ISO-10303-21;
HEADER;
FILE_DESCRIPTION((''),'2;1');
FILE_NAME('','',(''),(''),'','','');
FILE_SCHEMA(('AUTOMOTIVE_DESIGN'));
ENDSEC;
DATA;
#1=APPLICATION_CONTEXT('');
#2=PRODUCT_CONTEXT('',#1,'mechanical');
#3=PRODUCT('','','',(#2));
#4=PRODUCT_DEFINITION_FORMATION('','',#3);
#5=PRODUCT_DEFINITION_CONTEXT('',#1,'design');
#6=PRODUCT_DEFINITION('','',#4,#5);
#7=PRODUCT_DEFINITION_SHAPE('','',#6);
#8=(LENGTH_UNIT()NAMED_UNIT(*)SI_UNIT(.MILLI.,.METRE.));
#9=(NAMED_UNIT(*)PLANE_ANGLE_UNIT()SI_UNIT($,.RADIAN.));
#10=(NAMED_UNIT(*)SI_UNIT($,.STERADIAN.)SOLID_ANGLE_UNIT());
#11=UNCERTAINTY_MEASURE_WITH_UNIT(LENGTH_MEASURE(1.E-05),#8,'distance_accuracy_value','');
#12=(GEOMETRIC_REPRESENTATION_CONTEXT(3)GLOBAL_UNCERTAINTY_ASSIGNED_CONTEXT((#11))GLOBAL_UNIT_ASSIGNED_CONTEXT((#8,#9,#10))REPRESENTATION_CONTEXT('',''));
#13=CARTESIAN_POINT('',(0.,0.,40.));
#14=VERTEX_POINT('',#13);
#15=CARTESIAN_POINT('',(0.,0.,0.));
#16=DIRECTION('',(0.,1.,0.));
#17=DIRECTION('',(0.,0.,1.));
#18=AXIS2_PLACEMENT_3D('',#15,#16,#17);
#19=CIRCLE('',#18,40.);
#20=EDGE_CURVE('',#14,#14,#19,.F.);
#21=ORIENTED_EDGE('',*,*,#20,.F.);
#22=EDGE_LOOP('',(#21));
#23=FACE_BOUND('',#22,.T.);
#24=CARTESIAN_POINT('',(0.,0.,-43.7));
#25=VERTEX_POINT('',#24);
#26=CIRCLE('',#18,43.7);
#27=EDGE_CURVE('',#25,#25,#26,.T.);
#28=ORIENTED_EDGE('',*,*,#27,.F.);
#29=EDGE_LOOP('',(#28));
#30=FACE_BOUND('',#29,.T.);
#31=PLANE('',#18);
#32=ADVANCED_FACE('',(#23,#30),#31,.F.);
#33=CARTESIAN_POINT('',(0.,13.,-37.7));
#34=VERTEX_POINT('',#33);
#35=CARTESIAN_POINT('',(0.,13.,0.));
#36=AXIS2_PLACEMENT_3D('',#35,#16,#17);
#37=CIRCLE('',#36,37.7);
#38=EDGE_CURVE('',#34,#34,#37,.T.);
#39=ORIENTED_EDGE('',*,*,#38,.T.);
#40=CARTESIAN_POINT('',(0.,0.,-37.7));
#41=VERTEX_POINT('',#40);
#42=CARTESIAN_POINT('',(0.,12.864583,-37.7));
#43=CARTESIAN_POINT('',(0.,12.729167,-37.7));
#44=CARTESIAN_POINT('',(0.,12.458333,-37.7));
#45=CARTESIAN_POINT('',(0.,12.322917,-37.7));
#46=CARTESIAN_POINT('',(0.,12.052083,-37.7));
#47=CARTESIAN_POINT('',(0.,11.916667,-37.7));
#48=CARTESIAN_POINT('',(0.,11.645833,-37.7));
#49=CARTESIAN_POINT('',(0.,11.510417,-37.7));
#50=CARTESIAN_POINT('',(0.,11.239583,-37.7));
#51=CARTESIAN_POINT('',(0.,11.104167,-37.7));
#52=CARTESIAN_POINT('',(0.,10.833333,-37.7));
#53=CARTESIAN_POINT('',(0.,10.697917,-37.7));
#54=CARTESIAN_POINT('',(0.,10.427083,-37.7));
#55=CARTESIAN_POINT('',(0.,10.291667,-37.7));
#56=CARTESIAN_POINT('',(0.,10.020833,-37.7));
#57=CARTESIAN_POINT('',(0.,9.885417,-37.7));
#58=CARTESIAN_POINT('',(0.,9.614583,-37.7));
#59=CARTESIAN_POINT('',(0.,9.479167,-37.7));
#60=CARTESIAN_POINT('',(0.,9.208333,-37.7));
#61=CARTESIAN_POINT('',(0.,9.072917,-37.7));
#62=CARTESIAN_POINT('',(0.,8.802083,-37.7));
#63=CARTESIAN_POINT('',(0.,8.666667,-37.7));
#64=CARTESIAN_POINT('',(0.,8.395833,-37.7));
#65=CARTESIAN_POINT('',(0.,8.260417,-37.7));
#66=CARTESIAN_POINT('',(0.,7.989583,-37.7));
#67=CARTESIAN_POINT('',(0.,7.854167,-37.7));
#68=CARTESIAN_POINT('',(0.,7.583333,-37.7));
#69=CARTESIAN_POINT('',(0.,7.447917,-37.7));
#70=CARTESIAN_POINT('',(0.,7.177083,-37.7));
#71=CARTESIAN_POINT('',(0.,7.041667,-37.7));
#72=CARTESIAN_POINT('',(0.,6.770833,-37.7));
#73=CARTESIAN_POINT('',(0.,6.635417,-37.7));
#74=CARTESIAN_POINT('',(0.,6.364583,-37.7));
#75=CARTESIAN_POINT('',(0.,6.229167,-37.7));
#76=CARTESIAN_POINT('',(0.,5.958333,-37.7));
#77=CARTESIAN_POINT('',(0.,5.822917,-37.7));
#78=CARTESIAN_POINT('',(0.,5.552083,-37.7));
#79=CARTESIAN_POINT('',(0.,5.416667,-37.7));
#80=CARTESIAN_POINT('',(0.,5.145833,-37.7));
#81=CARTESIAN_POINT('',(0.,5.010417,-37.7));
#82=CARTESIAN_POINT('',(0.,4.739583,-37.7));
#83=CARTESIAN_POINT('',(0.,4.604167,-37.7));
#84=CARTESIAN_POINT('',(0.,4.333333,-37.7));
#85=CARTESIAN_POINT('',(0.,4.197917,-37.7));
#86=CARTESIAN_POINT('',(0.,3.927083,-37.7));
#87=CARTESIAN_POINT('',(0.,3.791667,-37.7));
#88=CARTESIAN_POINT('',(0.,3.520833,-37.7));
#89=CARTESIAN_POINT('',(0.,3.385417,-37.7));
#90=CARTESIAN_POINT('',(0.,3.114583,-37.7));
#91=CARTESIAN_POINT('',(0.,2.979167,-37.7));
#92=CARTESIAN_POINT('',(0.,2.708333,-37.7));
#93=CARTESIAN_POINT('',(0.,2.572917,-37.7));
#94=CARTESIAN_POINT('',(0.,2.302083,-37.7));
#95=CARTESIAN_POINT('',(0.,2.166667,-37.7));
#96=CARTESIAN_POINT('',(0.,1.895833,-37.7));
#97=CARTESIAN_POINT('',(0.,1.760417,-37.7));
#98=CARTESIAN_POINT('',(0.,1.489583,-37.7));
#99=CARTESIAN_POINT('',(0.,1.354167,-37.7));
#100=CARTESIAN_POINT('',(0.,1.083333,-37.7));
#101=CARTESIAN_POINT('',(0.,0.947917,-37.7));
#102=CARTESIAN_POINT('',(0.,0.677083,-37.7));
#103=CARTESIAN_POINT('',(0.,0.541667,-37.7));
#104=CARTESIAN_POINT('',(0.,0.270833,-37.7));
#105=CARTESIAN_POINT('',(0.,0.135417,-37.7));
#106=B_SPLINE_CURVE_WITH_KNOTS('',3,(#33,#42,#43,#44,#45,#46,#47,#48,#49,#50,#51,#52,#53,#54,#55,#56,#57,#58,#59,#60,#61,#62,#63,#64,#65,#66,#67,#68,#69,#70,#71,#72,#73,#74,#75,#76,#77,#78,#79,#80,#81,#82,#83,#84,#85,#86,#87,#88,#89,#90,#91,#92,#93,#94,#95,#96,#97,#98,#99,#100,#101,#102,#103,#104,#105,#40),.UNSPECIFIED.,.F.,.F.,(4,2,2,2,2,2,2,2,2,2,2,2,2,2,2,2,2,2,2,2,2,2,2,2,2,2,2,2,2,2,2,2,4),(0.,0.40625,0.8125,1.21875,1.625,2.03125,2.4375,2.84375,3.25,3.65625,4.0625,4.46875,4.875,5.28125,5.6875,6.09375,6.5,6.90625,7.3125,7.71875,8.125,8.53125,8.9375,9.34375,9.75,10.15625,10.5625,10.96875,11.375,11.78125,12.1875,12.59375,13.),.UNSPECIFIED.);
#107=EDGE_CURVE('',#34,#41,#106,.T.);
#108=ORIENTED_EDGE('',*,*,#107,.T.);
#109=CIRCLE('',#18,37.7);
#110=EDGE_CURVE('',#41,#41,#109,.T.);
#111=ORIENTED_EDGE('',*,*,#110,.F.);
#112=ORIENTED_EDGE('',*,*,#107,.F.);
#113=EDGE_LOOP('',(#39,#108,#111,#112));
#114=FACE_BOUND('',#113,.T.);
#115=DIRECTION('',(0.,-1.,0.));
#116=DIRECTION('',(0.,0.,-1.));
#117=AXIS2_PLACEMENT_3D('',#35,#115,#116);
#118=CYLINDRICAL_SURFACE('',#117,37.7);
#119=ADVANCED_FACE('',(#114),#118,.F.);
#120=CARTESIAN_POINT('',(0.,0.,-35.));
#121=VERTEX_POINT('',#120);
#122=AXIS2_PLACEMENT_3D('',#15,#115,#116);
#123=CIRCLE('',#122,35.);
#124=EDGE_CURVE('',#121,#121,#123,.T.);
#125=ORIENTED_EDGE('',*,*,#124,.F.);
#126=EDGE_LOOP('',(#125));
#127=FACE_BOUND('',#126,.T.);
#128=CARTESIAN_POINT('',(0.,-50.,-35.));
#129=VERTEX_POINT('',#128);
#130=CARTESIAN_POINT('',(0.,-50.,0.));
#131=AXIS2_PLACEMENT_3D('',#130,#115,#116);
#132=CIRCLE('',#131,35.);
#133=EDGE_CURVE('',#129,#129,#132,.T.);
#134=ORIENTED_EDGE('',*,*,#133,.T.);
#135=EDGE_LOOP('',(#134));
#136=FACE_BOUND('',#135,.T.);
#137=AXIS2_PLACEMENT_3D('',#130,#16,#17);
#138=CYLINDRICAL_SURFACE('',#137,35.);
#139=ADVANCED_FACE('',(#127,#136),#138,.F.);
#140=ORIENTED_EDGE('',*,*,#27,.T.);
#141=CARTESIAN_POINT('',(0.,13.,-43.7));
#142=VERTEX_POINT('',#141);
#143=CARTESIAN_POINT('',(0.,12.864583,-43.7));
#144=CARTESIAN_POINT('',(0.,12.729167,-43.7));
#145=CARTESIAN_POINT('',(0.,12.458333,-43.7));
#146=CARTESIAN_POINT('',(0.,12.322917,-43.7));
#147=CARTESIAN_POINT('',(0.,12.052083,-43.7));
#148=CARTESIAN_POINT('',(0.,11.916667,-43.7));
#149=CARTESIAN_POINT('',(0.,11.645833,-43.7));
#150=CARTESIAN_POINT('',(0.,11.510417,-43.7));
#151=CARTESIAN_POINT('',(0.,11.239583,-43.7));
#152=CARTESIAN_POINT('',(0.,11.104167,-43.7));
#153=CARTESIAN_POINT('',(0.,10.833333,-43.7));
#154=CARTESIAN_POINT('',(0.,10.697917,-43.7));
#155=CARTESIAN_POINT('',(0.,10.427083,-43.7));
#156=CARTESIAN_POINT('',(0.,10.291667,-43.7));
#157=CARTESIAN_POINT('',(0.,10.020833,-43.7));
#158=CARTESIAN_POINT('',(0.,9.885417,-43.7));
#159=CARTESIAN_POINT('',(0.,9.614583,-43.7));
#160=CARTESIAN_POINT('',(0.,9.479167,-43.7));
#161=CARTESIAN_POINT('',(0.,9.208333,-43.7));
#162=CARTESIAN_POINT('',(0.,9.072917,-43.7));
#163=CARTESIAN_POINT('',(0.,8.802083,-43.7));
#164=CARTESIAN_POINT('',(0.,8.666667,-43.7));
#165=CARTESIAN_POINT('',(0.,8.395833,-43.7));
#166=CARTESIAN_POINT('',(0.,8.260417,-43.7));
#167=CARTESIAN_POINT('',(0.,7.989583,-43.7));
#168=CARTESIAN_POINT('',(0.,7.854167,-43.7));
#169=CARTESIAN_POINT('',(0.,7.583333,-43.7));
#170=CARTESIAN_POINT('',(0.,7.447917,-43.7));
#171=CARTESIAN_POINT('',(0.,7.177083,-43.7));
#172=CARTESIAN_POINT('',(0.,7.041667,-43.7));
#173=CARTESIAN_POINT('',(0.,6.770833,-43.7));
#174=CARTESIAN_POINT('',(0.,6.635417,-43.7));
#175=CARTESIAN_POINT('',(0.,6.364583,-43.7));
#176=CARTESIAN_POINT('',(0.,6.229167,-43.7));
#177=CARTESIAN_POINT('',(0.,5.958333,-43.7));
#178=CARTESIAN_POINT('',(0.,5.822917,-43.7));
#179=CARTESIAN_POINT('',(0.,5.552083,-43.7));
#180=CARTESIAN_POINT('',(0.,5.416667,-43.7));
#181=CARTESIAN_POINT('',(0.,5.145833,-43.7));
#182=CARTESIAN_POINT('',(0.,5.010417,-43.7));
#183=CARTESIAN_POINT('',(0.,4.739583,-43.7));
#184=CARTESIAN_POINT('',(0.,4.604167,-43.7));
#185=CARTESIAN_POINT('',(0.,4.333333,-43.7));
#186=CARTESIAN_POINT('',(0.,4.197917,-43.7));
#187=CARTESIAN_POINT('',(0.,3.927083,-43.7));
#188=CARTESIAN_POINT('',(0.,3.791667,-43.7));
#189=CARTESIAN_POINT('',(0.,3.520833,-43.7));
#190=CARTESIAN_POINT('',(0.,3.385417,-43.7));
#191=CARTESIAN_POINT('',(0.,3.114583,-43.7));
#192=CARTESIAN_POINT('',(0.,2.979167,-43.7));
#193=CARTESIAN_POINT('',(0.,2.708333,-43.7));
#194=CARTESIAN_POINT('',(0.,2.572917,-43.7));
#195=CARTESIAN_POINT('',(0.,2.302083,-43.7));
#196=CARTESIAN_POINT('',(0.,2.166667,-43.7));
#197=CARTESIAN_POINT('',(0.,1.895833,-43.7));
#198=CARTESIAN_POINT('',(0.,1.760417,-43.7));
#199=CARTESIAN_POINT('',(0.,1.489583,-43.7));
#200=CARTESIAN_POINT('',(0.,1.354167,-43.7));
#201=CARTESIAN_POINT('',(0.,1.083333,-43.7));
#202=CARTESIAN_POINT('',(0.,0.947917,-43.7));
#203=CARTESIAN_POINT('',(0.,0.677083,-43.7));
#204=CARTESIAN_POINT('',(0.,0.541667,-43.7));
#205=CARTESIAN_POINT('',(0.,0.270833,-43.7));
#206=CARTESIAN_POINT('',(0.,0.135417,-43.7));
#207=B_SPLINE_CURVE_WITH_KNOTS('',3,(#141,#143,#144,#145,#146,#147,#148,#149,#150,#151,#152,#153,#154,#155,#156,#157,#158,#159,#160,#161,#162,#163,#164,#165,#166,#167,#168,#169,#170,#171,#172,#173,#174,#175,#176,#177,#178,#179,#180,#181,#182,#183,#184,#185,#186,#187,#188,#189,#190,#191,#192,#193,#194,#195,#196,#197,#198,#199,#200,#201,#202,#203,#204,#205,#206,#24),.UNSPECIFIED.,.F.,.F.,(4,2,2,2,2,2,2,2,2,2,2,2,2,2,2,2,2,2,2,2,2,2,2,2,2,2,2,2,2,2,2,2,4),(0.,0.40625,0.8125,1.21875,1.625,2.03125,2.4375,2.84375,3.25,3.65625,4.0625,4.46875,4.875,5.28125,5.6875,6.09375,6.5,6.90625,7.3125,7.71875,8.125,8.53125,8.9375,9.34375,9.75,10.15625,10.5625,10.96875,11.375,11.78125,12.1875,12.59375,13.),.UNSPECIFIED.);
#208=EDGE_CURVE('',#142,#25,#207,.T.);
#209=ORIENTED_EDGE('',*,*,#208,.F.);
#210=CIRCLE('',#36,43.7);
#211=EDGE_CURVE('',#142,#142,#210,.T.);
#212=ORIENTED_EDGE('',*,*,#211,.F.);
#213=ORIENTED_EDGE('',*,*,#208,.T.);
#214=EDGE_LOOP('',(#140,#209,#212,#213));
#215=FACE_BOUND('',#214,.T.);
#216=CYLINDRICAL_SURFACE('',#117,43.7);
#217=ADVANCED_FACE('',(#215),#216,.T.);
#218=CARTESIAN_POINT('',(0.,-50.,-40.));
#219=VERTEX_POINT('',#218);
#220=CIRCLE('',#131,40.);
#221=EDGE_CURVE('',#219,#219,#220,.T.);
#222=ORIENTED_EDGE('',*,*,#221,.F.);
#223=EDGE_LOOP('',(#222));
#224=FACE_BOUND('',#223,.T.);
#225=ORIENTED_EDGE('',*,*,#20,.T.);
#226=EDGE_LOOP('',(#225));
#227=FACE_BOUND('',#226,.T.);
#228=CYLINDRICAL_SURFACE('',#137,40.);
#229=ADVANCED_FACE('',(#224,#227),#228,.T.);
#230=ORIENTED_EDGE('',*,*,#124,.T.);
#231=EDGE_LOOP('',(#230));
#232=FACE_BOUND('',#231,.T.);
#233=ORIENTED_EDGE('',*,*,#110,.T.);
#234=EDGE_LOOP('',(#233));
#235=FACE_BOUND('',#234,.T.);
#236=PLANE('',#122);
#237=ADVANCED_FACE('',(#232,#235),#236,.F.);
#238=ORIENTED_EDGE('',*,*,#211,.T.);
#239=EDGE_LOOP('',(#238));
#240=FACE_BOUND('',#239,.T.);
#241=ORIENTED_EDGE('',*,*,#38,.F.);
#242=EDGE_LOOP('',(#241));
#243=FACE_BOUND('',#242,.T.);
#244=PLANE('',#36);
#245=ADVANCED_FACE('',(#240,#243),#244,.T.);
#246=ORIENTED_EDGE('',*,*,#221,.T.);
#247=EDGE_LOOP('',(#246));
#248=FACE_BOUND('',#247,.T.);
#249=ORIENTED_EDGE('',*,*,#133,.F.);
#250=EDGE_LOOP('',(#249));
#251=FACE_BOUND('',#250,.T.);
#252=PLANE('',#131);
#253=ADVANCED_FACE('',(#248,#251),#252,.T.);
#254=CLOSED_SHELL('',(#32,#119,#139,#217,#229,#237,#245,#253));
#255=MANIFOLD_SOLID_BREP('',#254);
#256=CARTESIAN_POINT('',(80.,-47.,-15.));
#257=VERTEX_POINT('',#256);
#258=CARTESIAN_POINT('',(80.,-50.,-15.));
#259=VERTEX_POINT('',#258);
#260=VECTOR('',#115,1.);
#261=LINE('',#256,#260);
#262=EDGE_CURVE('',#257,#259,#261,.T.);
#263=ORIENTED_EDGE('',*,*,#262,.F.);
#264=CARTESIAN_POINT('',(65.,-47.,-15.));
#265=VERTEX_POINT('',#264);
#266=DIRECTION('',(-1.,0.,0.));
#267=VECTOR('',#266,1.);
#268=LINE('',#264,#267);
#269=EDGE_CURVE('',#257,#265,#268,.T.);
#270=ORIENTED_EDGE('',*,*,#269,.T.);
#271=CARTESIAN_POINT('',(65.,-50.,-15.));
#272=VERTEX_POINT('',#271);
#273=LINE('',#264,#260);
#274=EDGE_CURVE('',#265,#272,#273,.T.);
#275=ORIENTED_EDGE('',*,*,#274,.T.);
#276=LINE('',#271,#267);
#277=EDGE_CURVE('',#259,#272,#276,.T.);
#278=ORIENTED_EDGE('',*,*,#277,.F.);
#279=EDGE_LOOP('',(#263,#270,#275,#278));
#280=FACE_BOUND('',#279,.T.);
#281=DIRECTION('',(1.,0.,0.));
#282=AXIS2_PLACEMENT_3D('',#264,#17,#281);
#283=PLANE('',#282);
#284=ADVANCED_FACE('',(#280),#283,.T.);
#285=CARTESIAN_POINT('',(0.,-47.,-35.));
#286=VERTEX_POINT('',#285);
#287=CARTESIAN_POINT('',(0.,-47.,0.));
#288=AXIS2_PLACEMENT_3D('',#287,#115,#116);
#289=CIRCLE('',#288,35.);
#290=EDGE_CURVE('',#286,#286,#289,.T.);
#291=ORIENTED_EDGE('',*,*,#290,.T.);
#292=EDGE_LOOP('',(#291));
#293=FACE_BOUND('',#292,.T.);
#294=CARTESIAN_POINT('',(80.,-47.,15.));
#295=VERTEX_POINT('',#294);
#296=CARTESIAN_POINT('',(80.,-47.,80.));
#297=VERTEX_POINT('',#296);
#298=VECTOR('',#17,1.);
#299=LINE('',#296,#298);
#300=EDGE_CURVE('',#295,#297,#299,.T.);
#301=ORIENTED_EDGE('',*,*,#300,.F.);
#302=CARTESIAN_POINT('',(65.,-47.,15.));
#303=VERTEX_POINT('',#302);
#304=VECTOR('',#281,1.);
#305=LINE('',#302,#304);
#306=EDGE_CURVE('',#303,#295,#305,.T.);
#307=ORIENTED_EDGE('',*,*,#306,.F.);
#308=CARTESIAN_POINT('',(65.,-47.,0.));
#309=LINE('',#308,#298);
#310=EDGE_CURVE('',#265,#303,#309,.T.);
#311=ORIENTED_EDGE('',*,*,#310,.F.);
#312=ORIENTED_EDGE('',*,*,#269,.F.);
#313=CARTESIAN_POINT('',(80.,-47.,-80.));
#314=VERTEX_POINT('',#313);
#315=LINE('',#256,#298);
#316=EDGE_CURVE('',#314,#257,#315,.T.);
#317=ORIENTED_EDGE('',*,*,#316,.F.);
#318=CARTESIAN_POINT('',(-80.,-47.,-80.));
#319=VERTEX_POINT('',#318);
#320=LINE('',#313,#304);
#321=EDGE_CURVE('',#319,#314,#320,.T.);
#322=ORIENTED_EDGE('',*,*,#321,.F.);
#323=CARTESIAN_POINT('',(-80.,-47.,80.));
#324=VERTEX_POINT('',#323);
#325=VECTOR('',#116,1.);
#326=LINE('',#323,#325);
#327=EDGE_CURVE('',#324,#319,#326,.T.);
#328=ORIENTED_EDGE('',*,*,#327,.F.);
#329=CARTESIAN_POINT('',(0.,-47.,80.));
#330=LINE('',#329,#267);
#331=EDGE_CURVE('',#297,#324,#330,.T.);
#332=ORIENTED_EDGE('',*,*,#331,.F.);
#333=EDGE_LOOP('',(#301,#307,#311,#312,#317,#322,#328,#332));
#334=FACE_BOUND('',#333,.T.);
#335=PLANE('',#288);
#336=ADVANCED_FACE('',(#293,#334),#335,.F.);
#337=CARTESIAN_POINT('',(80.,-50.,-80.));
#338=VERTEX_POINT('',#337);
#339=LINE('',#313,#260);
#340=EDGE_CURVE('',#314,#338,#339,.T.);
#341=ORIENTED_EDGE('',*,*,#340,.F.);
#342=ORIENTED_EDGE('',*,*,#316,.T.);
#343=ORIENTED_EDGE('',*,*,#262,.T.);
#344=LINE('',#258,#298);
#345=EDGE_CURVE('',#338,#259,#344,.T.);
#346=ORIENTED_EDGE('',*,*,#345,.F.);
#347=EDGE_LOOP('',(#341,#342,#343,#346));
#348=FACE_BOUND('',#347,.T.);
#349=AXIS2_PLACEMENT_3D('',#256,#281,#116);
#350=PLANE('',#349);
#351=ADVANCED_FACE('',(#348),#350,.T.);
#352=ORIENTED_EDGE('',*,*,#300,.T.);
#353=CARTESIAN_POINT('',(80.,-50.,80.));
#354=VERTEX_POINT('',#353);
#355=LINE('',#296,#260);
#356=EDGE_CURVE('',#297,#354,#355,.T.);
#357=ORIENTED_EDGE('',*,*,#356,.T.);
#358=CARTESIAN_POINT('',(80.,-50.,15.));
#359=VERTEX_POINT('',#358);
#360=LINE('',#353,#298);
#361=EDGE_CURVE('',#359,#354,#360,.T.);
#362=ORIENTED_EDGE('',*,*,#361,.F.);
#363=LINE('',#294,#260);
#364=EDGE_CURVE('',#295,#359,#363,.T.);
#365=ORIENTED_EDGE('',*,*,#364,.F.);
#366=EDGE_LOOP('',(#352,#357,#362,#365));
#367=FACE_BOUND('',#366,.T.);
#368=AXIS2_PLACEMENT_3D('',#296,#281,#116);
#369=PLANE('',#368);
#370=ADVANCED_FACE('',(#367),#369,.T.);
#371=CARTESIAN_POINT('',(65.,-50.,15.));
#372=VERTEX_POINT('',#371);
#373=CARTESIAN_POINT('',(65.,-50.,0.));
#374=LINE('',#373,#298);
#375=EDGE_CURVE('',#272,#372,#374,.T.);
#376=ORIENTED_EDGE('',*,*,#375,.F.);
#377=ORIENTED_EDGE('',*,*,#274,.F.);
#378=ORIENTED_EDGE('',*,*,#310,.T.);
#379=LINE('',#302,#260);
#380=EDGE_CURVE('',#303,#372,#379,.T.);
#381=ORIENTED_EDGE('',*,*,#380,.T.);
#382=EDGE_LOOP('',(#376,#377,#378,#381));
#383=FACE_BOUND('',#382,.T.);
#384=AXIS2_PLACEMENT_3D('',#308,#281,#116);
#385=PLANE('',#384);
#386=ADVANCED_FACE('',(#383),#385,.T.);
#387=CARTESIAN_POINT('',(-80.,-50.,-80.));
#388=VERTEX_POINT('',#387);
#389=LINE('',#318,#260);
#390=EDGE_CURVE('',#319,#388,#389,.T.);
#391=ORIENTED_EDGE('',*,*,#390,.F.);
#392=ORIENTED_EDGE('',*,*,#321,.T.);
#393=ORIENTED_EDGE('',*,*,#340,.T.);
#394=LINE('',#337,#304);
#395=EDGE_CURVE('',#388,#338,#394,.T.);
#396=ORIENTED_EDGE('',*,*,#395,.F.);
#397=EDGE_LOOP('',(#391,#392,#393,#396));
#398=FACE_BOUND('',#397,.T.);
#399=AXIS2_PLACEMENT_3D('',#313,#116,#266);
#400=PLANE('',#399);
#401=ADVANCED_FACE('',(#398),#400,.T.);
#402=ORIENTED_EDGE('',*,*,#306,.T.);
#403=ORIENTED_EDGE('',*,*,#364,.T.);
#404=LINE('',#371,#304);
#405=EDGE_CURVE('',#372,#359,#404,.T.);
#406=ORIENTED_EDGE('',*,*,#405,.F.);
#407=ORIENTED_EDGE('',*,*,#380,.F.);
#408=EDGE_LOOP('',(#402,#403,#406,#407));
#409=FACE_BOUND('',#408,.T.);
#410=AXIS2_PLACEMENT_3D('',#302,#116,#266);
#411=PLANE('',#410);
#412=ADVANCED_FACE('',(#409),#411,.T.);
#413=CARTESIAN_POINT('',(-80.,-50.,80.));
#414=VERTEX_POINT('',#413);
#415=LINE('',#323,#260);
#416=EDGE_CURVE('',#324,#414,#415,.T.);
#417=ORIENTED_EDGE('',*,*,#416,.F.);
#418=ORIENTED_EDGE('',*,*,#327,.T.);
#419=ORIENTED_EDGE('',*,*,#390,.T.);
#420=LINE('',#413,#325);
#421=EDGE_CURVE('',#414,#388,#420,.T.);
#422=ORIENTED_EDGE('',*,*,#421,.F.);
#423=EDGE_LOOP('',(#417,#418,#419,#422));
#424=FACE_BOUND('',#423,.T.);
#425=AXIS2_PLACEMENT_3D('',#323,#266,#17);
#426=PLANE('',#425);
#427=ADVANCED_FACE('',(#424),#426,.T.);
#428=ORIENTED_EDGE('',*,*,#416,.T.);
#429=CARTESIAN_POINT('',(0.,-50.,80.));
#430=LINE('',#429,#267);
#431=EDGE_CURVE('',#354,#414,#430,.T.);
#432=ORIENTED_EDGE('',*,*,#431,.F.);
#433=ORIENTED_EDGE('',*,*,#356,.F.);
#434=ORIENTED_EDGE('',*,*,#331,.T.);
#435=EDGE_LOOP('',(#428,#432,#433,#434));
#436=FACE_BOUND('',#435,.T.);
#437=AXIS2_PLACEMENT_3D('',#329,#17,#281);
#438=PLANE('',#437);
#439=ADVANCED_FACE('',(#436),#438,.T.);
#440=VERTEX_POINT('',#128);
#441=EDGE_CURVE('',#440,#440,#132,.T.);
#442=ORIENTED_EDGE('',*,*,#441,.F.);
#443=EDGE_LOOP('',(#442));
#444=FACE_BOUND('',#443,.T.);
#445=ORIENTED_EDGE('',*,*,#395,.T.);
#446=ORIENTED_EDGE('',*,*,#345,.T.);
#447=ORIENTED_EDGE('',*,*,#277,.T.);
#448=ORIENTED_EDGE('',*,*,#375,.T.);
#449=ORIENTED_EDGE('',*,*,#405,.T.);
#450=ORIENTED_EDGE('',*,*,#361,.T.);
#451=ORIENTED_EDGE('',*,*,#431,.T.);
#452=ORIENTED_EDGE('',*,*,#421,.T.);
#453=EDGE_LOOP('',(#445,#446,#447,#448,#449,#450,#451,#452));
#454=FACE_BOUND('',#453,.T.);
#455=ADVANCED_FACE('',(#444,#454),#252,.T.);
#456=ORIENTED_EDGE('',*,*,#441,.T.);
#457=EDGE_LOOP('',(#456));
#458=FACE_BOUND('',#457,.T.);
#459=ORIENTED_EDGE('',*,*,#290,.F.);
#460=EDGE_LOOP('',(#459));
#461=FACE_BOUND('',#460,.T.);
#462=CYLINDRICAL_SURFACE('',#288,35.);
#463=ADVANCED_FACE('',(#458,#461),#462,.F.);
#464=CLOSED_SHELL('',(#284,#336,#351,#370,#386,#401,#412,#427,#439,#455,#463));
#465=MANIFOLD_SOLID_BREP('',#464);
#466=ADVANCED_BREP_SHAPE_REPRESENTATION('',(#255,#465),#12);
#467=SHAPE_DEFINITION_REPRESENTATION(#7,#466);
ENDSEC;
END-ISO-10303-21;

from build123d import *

# Parameters (mm, degrees)
CROQUIS1_R              = 43.7
CROQUIS1_R_2            = 37.7
SALIENTE_EXTRUIR1_DEPTH = 13
CROQUIS2_R              = 40
CROQUIS2_R_2            = 35
SALIENTE_EXTRUIR2_DEPTH = 50
CROQUIS3_R              = 35
SALIENTE_EXTRUIR3_DEPTH = 3


with BuildPart() as part:
    # Croquis1 → Saliente-Extruir1 (new body)
    with BuildSketch(Plane(origin=(0, 0, 0), x_dir=(1, 0, 0), z_dir=(0, 1, 0))):
        with Locations(Location((0, 0, 0), (0, 0, 90))):
            Circle(CROQUIS1_R)
        with Locations(Location((0, 0, 0), (0, 0, 90))):
            Circle(CROQUIS1_R_2, mode=Mode.SUBTRACT)
    extrude(amount=SALIENTE_EXTRUIR1_DEPTH)

    # Croquis2 → Saliente-Extruir2 (add)
    with BuildSketch(Plane.XZ):
        with Locations(Location((0, 0, 0), (0, 0, 90))):
            Circle(CROQUIS2_R)
        with Locations(Location((0, 0, 0), (0, 0, 270))):
            Circle(CROQUIS2_R_2, mode=Mode.SUBTRACT)
    extrude(amount=SALIENTE_EXTRUIR2_DEPTH)


with BuildPart() as body_2:
    # Croquis3 → Saliente-Extruir3 (new body)
    with BuildSketch(Plane.XZ.offset(50)):
        Polygon((0, 80), (80, 80), (80, 15), (65, 15), (65, 0), (65, -15), (80, -15), (80, -80), (-80, -80), (-80, 80), align=None)
        with Locations(Location((0, 0, 0), (0, 0, 270))):
            Circle(CROQUIS3_R, mode=Mode.SUBTRACT)
    extrude(amount=-SALIENTE_EXTRUIR3_DEPTH)


solid = Compound([part.part, body_2.part])
